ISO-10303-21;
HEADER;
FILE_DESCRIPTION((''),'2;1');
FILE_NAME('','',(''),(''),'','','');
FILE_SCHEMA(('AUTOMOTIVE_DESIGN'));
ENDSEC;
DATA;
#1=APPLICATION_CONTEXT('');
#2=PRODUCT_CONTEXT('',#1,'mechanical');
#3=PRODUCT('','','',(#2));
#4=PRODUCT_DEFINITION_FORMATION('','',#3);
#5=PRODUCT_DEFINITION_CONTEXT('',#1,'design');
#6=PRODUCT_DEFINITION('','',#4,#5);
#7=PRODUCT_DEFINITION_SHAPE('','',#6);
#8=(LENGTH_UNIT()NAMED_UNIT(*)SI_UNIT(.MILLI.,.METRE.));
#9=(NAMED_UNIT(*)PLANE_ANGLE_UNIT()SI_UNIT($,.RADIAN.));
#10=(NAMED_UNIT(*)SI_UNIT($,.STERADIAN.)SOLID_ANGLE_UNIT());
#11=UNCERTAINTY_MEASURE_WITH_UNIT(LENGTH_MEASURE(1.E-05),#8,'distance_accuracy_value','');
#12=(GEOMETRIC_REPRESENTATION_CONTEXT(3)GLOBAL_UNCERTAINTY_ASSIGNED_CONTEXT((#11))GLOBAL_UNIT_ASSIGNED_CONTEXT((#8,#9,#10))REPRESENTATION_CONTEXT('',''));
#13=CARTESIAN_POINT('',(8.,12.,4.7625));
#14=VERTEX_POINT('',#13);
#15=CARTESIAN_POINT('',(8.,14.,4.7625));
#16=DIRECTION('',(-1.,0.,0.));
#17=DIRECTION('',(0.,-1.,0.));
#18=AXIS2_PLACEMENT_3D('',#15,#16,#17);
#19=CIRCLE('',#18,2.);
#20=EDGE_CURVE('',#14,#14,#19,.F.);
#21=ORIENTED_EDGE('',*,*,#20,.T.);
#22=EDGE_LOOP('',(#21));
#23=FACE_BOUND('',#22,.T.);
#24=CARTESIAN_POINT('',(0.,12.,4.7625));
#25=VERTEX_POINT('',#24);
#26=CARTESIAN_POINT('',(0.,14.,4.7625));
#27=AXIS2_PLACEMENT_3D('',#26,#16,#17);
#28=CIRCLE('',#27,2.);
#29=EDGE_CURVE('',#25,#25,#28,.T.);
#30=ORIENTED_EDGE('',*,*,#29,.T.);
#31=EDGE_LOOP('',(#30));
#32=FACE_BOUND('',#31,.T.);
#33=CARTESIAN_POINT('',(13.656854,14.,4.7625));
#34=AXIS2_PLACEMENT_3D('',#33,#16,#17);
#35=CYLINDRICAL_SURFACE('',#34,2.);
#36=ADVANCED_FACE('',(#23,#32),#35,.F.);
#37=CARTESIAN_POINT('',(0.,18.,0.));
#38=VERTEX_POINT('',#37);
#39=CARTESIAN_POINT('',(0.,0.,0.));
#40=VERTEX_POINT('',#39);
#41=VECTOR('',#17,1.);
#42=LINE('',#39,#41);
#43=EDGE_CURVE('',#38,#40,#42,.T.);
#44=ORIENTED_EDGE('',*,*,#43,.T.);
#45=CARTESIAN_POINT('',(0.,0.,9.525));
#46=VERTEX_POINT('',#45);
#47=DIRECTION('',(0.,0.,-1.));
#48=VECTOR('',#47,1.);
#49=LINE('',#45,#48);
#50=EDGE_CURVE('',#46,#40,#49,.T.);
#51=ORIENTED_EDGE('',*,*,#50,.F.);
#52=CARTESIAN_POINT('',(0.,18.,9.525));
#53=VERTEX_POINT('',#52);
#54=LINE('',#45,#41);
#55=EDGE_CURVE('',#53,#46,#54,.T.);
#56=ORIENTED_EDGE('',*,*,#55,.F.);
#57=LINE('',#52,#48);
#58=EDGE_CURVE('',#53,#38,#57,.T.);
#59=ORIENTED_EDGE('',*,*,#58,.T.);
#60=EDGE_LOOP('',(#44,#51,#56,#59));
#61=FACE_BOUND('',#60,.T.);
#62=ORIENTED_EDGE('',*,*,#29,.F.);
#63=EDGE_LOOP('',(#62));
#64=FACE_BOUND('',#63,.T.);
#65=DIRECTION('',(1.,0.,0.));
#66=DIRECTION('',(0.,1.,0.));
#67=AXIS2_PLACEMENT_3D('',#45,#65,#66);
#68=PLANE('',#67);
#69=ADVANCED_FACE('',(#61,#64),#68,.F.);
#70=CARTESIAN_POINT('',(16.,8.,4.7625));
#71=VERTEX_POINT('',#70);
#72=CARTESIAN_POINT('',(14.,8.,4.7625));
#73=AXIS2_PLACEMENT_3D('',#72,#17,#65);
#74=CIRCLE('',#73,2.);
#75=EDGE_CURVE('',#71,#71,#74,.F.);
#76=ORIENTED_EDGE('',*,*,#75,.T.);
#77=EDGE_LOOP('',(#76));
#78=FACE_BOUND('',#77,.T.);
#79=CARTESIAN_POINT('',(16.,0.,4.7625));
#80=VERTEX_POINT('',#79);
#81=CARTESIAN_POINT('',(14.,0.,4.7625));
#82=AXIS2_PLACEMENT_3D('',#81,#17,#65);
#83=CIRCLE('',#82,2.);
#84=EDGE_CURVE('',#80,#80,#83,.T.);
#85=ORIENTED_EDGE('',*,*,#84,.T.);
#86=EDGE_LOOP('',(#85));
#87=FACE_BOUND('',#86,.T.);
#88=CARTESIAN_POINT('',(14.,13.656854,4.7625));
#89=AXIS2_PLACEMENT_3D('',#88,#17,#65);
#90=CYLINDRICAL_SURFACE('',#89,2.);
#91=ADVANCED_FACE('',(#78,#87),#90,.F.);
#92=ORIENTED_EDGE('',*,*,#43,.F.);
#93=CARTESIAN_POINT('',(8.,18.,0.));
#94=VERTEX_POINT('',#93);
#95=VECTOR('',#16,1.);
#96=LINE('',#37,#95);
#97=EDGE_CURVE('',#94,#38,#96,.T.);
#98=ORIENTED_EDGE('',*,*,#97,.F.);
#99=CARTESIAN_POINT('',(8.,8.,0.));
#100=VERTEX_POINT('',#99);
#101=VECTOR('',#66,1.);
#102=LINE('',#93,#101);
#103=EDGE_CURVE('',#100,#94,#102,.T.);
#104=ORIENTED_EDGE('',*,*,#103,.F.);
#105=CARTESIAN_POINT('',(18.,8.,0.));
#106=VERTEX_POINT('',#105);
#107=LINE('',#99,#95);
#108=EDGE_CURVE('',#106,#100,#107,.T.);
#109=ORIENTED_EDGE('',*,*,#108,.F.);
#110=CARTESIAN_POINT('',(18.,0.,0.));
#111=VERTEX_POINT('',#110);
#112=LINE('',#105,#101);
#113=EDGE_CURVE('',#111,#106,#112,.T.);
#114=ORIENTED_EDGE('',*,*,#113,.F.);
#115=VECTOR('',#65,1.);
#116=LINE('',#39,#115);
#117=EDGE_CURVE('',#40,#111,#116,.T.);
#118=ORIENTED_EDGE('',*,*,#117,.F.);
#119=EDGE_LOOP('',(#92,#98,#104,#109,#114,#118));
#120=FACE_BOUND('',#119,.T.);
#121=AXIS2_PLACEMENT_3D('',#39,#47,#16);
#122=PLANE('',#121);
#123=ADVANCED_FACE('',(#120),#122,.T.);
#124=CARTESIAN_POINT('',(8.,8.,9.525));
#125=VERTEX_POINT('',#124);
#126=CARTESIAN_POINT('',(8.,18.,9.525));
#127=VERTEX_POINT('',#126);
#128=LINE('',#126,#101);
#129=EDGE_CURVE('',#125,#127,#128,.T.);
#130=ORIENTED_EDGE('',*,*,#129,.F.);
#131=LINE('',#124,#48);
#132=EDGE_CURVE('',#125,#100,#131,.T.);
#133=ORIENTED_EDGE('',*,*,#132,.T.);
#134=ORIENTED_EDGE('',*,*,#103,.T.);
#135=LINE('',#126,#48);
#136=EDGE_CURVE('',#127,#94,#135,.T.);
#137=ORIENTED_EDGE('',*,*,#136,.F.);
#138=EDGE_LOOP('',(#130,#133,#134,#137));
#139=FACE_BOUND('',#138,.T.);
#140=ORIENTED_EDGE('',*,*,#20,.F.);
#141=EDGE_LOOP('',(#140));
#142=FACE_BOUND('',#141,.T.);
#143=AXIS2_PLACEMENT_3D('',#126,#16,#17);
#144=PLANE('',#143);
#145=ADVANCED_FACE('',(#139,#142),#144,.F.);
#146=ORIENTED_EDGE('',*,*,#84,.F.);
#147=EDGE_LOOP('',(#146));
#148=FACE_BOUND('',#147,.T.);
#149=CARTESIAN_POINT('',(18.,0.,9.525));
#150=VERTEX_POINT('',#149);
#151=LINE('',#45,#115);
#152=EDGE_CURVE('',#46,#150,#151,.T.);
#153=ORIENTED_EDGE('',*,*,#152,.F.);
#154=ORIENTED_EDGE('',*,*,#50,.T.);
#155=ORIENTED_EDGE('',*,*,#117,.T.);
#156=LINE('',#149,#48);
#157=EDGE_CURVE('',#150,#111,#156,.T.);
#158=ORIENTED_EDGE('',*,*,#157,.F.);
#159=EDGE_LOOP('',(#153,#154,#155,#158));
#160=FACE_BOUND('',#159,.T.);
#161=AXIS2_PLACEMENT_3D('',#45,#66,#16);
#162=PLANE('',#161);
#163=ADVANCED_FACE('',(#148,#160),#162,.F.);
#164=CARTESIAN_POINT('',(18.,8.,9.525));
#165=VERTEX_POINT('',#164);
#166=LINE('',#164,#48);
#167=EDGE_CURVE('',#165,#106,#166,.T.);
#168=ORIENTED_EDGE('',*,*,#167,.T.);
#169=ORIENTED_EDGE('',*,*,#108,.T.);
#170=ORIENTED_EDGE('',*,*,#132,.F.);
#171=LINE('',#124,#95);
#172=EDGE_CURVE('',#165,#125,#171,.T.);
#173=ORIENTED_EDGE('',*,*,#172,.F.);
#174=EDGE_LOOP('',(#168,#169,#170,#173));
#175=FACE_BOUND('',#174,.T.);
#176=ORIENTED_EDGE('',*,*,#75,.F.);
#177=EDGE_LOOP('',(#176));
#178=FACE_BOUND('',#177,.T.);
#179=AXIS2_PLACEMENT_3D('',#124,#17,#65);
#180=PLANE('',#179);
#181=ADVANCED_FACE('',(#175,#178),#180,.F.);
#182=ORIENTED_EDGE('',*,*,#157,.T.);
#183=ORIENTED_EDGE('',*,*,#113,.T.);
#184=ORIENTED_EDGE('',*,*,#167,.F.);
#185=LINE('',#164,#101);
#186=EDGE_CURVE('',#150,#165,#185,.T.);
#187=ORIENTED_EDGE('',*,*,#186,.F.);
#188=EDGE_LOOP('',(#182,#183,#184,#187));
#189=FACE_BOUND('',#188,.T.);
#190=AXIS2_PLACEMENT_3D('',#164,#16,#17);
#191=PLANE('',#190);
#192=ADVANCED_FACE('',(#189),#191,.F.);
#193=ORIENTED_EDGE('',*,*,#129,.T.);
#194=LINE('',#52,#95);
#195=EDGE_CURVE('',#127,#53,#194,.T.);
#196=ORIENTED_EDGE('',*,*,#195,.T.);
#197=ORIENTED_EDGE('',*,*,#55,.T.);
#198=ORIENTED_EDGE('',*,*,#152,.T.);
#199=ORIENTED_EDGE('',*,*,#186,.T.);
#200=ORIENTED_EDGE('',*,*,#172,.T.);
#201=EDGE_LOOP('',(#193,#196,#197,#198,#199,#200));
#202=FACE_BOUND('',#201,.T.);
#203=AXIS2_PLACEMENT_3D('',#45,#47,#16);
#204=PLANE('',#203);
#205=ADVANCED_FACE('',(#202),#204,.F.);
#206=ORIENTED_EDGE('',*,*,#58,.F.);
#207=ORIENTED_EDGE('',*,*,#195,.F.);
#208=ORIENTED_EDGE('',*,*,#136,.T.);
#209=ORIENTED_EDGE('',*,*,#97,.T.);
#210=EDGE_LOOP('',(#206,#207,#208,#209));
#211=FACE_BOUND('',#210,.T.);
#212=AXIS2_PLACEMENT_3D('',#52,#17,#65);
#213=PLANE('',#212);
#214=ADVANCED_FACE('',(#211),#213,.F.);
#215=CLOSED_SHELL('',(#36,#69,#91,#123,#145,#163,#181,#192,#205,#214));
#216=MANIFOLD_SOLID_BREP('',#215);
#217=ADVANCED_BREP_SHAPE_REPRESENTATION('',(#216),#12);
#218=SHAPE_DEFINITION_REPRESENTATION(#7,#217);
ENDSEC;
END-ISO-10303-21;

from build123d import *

# Parameters (mm, degrees)
EXTRUDE_3_8_DEPTH = 9.525
SKETCH2_R         = 2
M4_DRILL_DEPTH    = 8
SKETCH3_R         = 2
M4_DRILL2_DEPTH   = 8


with BuildPart() as part:
    # Sketch1 → 3/8 (new body)
    with BuildSketch(Plane.XY):
        Polygon((0, 0), (18, 0), (18, 8), (8, 8), (8, 18), (0, 18), align=None)
    extrude(amount=EXTRUDE_3_8_DEPTH)

    # Sketch2 → M4_DRILL (cut)
    with BuildSketch(Plane.ZY):
        with Locations(Location((4.7625, 14, 0), (0, 0, 270))):
            Circle(SKETCH2_R)
    extrude(amount=-M4_DRILL_DEPTH, mode=Mode.SUBTRACT)

    # Sketch3 → M4_DRILL2 (cut)
    with BuildSketch(Plane(origin=(0, 0, 0), x_dir=(-1, 0, 0), z_dir=(0, -1, 0))):
        with Locations(Location((-14, -4.7625, 0), (0, 0, 180))):
            Circle(SKETCH3_R)
    extrude(amount=-M4_DRILL2_DEPTH, mode=Mode.SUBTRACT)


solid = part.part
